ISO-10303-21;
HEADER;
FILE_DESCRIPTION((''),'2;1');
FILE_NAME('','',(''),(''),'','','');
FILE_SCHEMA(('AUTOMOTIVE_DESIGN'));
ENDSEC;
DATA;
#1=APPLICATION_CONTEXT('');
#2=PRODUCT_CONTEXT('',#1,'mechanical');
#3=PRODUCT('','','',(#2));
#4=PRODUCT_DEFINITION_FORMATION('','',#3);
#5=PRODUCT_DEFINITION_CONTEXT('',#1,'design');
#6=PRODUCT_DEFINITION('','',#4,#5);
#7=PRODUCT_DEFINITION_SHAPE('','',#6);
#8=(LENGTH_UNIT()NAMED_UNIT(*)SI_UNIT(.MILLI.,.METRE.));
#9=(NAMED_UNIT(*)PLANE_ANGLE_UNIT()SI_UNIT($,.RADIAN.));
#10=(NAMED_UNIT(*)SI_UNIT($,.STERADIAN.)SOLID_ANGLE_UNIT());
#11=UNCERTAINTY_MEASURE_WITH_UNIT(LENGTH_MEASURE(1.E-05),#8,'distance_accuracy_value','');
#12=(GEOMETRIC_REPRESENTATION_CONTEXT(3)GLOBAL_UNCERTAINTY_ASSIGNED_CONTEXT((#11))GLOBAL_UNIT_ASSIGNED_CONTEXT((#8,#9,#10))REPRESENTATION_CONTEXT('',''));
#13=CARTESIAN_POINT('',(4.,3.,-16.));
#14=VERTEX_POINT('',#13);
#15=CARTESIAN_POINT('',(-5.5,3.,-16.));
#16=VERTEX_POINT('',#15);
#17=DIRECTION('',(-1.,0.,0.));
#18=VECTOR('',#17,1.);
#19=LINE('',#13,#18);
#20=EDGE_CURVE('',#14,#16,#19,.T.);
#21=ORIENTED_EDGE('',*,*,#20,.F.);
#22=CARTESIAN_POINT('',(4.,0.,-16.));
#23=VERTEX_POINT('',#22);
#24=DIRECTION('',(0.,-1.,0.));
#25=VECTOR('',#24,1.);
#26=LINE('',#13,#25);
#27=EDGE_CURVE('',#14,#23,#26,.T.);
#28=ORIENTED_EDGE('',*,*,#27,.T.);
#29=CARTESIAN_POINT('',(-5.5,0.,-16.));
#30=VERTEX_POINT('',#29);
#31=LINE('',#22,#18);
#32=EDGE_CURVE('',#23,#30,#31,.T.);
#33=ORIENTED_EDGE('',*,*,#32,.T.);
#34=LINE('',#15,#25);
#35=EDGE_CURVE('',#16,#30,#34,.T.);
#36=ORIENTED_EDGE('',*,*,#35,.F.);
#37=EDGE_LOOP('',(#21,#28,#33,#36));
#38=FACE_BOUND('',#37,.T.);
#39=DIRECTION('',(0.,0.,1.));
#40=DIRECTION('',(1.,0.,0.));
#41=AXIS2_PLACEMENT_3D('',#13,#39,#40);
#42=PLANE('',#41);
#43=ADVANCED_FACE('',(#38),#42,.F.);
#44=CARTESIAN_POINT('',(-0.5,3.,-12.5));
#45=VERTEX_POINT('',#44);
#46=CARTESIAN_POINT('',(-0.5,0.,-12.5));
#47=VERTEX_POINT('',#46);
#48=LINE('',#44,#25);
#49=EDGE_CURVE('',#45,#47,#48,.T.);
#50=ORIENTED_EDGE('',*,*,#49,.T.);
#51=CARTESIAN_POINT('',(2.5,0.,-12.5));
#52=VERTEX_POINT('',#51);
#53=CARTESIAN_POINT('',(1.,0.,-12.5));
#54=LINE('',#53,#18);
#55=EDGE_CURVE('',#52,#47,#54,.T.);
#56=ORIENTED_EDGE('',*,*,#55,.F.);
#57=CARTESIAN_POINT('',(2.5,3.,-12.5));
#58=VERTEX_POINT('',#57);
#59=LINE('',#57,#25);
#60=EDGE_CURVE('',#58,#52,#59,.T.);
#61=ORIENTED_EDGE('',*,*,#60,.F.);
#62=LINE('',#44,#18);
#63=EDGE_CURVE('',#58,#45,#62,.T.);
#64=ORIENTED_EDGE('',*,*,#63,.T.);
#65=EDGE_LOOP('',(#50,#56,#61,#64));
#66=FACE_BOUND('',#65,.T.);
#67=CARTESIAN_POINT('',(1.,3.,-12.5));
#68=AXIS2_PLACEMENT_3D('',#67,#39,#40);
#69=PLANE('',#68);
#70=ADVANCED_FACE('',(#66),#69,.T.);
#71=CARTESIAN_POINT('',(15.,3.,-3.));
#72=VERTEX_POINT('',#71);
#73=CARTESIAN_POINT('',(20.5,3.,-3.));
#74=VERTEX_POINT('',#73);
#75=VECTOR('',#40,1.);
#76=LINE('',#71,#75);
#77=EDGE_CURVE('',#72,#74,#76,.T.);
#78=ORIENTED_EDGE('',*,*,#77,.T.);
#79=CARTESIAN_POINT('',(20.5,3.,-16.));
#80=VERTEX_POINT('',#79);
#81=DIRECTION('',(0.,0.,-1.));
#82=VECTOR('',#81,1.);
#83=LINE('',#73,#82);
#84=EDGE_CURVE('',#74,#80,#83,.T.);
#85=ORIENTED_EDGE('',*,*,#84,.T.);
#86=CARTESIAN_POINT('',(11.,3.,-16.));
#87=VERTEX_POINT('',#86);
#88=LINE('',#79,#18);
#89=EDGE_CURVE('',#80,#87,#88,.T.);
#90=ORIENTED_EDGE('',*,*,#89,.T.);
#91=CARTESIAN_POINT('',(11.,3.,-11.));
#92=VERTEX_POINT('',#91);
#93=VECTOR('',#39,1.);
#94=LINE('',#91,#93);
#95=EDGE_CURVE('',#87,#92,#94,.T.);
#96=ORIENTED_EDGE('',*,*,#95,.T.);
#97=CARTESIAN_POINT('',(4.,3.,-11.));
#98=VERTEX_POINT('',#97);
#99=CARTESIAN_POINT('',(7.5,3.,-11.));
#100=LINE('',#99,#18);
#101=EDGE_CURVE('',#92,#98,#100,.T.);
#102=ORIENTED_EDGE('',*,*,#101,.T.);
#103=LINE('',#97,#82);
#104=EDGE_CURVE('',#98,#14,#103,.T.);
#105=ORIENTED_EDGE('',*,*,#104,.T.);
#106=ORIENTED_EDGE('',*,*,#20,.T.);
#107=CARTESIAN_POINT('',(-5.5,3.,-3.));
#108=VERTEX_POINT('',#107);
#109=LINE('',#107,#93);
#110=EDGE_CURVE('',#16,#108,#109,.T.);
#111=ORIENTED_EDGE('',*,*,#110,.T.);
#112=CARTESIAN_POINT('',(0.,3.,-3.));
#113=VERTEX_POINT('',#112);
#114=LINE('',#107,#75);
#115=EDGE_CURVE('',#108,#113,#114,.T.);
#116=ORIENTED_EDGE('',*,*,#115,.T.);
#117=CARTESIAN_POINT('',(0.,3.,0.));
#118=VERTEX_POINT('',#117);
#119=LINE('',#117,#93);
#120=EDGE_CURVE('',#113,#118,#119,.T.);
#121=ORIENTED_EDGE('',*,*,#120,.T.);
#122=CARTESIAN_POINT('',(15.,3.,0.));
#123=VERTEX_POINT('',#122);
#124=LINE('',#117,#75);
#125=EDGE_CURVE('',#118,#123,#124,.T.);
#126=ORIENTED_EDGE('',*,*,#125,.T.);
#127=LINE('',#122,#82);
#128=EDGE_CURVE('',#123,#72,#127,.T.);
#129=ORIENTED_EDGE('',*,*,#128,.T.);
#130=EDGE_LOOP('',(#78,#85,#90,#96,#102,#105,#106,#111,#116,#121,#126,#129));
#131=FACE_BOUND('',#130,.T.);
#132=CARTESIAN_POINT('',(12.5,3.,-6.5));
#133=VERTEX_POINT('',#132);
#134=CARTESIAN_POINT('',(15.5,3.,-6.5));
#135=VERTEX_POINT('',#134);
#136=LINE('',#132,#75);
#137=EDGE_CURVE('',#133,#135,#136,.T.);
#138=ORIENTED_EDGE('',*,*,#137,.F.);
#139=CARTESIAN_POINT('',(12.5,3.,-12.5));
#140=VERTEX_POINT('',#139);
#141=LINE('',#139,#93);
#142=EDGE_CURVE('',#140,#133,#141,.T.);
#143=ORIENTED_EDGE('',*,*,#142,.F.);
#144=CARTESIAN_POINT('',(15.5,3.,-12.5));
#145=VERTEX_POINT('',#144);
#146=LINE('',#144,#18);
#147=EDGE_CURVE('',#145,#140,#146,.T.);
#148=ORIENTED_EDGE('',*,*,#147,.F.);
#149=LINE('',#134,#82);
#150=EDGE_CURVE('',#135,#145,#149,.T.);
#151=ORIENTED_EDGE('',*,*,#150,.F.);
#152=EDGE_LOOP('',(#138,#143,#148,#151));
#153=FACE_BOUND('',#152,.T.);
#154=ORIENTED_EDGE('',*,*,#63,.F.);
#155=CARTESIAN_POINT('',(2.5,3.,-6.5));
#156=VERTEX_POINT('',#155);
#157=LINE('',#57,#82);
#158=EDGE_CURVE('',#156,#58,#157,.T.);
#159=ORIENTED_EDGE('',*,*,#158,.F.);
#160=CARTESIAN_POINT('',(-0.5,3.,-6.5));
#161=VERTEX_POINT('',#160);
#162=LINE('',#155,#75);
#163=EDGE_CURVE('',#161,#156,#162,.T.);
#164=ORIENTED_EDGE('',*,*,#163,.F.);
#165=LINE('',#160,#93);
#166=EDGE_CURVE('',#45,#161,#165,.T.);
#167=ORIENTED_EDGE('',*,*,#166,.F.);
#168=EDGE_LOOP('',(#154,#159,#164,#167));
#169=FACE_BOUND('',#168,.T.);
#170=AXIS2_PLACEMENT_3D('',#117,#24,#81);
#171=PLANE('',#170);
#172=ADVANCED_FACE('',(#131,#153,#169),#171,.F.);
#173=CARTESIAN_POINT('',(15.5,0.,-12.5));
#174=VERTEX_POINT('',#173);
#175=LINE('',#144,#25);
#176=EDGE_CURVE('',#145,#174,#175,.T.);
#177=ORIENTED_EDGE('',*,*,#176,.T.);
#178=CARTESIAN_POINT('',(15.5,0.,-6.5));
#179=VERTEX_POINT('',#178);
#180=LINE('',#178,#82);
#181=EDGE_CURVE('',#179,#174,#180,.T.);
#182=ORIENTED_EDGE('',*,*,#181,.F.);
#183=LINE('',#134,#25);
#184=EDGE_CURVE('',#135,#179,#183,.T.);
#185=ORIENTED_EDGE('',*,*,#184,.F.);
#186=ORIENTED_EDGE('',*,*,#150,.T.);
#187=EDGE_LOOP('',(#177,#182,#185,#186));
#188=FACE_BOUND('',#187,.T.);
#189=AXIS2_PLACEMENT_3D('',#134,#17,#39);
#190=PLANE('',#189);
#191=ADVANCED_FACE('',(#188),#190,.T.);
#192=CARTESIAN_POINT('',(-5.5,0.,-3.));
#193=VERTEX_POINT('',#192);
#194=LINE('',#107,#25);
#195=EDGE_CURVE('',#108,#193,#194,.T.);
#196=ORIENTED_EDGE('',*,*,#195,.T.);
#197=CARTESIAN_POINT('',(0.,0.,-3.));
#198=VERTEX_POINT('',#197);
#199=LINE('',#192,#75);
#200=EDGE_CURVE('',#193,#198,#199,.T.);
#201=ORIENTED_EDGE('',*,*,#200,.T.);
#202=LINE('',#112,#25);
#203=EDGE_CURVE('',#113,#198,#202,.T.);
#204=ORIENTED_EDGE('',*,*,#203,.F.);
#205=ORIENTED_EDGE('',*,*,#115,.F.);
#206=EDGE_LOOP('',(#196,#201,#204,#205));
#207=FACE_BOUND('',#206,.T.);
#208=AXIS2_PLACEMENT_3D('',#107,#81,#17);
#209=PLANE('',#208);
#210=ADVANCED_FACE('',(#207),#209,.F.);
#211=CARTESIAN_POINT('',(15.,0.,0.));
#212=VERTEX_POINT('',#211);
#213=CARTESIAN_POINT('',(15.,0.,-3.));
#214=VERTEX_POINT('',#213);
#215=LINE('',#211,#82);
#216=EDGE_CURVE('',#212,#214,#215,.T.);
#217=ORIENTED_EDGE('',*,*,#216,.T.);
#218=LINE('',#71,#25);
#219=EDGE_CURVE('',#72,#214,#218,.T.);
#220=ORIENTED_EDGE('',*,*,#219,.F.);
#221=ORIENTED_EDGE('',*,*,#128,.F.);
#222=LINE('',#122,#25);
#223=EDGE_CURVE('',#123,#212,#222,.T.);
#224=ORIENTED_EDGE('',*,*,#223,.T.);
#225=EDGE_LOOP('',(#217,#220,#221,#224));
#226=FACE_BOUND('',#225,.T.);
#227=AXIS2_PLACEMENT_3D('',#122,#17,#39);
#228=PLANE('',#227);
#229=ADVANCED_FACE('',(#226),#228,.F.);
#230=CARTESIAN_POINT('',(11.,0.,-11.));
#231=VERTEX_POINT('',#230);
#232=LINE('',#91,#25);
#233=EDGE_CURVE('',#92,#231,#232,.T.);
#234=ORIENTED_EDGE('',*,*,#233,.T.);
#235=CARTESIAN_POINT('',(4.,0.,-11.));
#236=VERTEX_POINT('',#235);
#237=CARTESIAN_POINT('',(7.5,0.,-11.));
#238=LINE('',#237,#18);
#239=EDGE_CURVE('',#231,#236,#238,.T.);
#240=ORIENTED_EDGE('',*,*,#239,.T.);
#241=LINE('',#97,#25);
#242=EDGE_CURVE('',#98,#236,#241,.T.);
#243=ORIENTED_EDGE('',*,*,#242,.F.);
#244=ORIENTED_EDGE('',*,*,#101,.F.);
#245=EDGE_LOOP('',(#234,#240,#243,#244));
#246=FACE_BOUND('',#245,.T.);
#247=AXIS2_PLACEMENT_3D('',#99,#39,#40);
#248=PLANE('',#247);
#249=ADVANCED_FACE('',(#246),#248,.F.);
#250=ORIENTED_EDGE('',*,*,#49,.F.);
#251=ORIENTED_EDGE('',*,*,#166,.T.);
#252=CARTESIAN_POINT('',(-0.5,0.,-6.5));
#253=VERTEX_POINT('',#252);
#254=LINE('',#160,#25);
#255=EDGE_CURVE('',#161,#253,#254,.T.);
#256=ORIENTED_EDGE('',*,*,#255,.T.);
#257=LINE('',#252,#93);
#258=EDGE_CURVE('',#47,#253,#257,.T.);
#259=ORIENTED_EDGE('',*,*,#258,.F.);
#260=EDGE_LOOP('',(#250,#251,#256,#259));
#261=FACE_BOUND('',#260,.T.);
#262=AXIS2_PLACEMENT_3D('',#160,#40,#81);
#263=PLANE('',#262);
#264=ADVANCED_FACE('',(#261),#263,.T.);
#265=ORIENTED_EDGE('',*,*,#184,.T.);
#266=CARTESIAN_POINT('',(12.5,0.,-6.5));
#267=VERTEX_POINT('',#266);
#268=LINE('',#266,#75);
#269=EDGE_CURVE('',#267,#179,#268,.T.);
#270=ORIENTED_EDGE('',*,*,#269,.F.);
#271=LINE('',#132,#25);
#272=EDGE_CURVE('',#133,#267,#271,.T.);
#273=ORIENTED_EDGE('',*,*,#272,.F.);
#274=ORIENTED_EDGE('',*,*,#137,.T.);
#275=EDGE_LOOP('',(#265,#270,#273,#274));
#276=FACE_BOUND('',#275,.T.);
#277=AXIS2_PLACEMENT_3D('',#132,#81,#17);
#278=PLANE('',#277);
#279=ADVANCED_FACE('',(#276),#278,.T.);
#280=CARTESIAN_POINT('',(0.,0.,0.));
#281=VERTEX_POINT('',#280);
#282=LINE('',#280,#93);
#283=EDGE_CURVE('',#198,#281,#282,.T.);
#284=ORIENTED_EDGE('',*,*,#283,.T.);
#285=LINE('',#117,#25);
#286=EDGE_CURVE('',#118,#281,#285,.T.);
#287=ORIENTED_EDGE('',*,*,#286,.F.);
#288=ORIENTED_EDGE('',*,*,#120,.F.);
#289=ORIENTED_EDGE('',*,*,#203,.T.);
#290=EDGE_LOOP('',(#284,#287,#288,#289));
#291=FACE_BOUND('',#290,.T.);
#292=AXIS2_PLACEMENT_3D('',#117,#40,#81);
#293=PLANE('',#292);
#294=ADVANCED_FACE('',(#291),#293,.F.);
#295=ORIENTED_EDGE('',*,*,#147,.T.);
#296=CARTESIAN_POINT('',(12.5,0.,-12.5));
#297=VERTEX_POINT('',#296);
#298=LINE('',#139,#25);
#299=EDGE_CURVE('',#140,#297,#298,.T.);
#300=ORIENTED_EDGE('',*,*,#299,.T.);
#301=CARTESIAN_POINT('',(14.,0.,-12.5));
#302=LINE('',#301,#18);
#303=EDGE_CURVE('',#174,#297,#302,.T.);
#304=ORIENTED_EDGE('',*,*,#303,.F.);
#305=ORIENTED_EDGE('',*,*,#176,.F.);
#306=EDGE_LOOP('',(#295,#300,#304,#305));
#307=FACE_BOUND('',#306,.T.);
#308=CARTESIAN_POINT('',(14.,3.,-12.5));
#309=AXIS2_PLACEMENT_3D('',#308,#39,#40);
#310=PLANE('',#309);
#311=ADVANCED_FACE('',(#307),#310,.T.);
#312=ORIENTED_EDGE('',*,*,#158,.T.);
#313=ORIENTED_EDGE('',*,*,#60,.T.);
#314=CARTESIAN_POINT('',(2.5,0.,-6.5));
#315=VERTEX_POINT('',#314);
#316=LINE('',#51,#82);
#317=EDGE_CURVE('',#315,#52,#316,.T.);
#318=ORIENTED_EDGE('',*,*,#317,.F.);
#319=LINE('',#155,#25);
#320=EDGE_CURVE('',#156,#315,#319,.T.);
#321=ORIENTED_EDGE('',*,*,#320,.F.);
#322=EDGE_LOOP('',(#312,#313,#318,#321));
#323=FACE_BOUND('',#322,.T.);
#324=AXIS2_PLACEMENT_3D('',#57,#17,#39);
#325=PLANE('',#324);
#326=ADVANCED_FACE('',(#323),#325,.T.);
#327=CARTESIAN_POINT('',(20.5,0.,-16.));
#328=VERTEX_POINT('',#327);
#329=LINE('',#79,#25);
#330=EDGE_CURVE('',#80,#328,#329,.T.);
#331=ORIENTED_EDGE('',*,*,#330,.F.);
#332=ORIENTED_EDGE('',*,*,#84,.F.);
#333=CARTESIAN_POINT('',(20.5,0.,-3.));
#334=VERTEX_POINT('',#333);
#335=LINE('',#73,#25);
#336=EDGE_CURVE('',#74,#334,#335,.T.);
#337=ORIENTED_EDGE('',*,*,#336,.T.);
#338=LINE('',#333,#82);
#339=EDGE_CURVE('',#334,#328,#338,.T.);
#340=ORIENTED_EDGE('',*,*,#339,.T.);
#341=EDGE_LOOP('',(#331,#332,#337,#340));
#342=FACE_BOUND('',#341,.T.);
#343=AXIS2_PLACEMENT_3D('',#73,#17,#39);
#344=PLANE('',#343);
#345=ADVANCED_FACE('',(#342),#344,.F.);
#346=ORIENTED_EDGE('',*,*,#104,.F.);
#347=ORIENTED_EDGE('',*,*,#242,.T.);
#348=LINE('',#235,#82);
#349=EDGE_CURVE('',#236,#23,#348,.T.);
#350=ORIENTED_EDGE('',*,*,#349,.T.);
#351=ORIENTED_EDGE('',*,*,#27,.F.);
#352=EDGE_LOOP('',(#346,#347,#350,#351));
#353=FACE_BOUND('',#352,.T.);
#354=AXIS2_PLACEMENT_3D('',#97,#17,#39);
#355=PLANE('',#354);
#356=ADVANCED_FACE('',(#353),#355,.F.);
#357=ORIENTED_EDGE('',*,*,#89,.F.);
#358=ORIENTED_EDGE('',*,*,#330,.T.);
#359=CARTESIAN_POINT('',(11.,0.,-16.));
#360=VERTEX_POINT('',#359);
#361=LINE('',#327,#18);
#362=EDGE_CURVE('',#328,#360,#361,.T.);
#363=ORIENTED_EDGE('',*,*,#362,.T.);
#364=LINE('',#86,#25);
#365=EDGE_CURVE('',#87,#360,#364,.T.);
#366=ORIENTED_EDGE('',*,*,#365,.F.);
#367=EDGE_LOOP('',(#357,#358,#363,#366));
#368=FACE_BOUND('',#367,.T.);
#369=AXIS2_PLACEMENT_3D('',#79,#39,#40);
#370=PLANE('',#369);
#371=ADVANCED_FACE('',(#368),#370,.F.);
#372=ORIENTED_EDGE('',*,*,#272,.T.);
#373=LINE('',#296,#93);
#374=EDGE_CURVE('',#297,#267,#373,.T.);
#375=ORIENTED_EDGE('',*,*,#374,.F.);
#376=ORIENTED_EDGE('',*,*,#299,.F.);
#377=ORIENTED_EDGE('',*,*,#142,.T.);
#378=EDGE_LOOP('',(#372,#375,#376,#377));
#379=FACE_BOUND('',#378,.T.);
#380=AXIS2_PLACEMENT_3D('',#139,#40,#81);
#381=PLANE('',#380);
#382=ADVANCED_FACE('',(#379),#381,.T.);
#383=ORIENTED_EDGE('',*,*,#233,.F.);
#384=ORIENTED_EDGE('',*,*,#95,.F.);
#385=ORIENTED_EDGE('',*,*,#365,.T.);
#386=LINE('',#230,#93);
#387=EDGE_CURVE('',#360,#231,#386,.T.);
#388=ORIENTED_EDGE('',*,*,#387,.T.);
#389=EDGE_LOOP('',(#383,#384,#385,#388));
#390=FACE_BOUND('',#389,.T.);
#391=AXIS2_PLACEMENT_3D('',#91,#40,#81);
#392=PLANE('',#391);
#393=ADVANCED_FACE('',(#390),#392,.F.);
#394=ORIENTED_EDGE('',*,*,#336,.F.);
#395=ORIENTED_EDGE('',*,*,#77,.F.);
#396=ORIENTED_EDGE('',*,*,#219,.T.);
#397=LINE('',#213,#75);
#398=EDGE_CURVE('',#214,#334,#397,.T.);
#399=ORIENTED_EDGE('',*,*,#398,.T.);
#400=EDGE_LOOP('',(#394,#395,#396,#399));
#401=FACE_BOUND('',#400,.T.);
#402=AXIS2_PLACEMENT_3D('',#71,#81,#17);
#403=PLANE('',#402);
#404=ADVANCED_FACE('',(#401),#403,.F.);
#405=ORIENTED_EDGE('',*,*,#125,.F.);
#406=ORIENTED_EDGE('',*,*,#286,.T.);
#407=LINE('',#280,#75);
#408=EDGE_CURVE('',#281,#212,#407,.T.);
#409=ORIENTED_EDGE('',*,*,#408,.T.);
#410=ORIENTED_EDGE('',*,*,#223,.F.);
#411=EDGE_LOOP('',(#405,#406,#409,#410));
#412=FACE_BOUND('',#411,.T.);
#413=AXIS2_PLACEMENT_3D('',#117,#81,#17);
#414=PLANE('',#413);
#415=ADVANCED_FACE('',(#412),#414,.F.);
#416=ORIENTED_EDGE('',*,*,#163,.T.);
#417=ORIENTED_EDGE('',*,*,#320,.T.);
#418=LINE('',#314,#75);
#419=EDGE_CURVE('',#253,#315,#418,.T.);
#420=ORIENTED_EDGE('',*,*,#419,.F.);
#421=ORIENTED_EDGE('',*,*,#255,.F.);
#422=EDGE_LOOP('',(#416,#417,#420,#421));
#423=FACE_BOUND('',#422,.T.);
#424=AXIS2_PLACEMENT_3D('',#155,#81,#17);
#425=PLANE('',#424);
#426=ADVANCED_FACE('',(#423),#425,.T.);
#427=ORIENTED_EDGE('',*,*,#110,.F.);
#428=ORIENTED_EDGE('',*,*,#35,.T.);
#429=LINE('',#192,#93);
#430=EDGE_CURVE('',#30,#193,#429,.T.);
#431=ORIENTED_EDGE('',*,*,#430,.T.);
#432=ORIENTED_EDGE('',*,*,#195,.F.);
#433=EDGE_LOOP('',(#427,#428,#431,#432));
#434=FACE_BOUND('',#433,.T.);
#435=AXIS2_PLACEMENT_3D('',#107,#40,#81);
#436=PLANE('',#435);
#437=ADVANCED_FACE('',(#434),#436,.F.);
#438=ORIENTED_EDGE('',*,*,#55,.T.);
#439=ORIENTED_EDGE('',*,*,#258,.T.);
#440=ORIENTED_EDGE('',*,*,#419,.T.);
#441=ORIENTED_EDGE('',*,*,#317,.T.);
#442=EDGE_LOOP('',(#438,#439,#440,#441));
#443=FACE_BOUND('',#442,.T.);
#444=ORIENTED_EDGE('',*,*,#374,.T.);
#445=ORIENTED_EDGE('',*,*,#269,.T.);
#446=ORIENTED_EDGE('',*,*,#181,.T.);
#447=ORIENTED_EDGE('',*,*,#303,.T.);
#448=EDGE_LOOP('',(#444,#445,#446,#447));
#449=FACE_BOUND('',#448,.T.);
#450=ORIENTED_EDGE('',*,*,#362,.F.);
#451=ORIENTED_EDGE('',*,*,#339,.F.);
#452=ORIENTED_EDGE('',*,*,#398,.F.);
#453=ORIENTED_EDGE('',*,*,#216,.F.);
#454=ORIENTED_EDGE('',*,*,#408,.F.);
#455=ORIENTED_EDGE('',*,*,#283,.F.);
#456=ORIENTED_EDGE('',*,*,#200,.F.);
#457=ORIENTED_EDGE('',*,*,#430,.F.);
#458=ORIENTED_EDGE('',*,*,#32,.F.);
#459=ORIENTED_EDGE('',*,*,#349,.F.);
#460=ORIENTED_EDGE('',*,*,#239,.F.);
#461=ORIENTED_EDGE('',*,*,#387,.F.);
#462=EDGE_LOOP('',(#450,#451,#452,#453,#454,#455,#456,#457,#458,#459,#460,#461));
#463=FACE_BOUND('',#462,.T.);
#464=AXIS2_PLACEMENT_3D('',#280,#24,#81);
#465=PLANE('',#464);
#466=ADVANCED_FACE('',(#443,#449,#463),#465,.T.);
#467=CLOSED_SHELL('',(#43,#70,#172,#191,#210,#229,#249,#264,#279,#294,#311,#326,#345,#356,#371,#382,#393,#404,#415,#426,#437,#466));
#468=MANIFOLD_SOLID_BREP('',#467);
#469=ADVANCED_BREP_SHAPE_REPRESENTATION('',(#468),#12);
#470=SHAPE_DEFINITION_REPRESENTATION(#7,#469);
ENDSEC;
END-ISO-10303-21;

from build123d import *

# Parameters (mm, degrees)
SALIENTE_EXTRUIR1_DEPTH = 3


with BuildPart() as part:
    # Croquis1 → Saliente-Extruir1 (new body)
    with BuildSketch(Plane(origin=(0, 0, 0), x_dir=(1, 0, 0), z_dir=(0, 1, 0))):
        Polygon((0, 0), (15, 0), (15, 3), (20.5, 3), (20.5, 16), (11, 16), (11, 11), (7.5, 11), (4, 11), (4, 16), (-5.5, 16), (-5.5, 3), (0, 3), align=None)
        Polygon((1, 12.5), (2.5, 12.5), (2.5, 6.5), (-0.5, 6.5), (-0.5, 12.5), align=None, mode=Mode.SUBTRACT)
        Polygon((12.5, 6.5), (15.5, 6.5), (15.5, 12.5), (14, 12.5), (12.5, 12.5), align=None, mode=Mode.SUBTRACT)
    extrude(amount=SALIENTE_EXTRUIR1_DEPTH)


solid = part.part
